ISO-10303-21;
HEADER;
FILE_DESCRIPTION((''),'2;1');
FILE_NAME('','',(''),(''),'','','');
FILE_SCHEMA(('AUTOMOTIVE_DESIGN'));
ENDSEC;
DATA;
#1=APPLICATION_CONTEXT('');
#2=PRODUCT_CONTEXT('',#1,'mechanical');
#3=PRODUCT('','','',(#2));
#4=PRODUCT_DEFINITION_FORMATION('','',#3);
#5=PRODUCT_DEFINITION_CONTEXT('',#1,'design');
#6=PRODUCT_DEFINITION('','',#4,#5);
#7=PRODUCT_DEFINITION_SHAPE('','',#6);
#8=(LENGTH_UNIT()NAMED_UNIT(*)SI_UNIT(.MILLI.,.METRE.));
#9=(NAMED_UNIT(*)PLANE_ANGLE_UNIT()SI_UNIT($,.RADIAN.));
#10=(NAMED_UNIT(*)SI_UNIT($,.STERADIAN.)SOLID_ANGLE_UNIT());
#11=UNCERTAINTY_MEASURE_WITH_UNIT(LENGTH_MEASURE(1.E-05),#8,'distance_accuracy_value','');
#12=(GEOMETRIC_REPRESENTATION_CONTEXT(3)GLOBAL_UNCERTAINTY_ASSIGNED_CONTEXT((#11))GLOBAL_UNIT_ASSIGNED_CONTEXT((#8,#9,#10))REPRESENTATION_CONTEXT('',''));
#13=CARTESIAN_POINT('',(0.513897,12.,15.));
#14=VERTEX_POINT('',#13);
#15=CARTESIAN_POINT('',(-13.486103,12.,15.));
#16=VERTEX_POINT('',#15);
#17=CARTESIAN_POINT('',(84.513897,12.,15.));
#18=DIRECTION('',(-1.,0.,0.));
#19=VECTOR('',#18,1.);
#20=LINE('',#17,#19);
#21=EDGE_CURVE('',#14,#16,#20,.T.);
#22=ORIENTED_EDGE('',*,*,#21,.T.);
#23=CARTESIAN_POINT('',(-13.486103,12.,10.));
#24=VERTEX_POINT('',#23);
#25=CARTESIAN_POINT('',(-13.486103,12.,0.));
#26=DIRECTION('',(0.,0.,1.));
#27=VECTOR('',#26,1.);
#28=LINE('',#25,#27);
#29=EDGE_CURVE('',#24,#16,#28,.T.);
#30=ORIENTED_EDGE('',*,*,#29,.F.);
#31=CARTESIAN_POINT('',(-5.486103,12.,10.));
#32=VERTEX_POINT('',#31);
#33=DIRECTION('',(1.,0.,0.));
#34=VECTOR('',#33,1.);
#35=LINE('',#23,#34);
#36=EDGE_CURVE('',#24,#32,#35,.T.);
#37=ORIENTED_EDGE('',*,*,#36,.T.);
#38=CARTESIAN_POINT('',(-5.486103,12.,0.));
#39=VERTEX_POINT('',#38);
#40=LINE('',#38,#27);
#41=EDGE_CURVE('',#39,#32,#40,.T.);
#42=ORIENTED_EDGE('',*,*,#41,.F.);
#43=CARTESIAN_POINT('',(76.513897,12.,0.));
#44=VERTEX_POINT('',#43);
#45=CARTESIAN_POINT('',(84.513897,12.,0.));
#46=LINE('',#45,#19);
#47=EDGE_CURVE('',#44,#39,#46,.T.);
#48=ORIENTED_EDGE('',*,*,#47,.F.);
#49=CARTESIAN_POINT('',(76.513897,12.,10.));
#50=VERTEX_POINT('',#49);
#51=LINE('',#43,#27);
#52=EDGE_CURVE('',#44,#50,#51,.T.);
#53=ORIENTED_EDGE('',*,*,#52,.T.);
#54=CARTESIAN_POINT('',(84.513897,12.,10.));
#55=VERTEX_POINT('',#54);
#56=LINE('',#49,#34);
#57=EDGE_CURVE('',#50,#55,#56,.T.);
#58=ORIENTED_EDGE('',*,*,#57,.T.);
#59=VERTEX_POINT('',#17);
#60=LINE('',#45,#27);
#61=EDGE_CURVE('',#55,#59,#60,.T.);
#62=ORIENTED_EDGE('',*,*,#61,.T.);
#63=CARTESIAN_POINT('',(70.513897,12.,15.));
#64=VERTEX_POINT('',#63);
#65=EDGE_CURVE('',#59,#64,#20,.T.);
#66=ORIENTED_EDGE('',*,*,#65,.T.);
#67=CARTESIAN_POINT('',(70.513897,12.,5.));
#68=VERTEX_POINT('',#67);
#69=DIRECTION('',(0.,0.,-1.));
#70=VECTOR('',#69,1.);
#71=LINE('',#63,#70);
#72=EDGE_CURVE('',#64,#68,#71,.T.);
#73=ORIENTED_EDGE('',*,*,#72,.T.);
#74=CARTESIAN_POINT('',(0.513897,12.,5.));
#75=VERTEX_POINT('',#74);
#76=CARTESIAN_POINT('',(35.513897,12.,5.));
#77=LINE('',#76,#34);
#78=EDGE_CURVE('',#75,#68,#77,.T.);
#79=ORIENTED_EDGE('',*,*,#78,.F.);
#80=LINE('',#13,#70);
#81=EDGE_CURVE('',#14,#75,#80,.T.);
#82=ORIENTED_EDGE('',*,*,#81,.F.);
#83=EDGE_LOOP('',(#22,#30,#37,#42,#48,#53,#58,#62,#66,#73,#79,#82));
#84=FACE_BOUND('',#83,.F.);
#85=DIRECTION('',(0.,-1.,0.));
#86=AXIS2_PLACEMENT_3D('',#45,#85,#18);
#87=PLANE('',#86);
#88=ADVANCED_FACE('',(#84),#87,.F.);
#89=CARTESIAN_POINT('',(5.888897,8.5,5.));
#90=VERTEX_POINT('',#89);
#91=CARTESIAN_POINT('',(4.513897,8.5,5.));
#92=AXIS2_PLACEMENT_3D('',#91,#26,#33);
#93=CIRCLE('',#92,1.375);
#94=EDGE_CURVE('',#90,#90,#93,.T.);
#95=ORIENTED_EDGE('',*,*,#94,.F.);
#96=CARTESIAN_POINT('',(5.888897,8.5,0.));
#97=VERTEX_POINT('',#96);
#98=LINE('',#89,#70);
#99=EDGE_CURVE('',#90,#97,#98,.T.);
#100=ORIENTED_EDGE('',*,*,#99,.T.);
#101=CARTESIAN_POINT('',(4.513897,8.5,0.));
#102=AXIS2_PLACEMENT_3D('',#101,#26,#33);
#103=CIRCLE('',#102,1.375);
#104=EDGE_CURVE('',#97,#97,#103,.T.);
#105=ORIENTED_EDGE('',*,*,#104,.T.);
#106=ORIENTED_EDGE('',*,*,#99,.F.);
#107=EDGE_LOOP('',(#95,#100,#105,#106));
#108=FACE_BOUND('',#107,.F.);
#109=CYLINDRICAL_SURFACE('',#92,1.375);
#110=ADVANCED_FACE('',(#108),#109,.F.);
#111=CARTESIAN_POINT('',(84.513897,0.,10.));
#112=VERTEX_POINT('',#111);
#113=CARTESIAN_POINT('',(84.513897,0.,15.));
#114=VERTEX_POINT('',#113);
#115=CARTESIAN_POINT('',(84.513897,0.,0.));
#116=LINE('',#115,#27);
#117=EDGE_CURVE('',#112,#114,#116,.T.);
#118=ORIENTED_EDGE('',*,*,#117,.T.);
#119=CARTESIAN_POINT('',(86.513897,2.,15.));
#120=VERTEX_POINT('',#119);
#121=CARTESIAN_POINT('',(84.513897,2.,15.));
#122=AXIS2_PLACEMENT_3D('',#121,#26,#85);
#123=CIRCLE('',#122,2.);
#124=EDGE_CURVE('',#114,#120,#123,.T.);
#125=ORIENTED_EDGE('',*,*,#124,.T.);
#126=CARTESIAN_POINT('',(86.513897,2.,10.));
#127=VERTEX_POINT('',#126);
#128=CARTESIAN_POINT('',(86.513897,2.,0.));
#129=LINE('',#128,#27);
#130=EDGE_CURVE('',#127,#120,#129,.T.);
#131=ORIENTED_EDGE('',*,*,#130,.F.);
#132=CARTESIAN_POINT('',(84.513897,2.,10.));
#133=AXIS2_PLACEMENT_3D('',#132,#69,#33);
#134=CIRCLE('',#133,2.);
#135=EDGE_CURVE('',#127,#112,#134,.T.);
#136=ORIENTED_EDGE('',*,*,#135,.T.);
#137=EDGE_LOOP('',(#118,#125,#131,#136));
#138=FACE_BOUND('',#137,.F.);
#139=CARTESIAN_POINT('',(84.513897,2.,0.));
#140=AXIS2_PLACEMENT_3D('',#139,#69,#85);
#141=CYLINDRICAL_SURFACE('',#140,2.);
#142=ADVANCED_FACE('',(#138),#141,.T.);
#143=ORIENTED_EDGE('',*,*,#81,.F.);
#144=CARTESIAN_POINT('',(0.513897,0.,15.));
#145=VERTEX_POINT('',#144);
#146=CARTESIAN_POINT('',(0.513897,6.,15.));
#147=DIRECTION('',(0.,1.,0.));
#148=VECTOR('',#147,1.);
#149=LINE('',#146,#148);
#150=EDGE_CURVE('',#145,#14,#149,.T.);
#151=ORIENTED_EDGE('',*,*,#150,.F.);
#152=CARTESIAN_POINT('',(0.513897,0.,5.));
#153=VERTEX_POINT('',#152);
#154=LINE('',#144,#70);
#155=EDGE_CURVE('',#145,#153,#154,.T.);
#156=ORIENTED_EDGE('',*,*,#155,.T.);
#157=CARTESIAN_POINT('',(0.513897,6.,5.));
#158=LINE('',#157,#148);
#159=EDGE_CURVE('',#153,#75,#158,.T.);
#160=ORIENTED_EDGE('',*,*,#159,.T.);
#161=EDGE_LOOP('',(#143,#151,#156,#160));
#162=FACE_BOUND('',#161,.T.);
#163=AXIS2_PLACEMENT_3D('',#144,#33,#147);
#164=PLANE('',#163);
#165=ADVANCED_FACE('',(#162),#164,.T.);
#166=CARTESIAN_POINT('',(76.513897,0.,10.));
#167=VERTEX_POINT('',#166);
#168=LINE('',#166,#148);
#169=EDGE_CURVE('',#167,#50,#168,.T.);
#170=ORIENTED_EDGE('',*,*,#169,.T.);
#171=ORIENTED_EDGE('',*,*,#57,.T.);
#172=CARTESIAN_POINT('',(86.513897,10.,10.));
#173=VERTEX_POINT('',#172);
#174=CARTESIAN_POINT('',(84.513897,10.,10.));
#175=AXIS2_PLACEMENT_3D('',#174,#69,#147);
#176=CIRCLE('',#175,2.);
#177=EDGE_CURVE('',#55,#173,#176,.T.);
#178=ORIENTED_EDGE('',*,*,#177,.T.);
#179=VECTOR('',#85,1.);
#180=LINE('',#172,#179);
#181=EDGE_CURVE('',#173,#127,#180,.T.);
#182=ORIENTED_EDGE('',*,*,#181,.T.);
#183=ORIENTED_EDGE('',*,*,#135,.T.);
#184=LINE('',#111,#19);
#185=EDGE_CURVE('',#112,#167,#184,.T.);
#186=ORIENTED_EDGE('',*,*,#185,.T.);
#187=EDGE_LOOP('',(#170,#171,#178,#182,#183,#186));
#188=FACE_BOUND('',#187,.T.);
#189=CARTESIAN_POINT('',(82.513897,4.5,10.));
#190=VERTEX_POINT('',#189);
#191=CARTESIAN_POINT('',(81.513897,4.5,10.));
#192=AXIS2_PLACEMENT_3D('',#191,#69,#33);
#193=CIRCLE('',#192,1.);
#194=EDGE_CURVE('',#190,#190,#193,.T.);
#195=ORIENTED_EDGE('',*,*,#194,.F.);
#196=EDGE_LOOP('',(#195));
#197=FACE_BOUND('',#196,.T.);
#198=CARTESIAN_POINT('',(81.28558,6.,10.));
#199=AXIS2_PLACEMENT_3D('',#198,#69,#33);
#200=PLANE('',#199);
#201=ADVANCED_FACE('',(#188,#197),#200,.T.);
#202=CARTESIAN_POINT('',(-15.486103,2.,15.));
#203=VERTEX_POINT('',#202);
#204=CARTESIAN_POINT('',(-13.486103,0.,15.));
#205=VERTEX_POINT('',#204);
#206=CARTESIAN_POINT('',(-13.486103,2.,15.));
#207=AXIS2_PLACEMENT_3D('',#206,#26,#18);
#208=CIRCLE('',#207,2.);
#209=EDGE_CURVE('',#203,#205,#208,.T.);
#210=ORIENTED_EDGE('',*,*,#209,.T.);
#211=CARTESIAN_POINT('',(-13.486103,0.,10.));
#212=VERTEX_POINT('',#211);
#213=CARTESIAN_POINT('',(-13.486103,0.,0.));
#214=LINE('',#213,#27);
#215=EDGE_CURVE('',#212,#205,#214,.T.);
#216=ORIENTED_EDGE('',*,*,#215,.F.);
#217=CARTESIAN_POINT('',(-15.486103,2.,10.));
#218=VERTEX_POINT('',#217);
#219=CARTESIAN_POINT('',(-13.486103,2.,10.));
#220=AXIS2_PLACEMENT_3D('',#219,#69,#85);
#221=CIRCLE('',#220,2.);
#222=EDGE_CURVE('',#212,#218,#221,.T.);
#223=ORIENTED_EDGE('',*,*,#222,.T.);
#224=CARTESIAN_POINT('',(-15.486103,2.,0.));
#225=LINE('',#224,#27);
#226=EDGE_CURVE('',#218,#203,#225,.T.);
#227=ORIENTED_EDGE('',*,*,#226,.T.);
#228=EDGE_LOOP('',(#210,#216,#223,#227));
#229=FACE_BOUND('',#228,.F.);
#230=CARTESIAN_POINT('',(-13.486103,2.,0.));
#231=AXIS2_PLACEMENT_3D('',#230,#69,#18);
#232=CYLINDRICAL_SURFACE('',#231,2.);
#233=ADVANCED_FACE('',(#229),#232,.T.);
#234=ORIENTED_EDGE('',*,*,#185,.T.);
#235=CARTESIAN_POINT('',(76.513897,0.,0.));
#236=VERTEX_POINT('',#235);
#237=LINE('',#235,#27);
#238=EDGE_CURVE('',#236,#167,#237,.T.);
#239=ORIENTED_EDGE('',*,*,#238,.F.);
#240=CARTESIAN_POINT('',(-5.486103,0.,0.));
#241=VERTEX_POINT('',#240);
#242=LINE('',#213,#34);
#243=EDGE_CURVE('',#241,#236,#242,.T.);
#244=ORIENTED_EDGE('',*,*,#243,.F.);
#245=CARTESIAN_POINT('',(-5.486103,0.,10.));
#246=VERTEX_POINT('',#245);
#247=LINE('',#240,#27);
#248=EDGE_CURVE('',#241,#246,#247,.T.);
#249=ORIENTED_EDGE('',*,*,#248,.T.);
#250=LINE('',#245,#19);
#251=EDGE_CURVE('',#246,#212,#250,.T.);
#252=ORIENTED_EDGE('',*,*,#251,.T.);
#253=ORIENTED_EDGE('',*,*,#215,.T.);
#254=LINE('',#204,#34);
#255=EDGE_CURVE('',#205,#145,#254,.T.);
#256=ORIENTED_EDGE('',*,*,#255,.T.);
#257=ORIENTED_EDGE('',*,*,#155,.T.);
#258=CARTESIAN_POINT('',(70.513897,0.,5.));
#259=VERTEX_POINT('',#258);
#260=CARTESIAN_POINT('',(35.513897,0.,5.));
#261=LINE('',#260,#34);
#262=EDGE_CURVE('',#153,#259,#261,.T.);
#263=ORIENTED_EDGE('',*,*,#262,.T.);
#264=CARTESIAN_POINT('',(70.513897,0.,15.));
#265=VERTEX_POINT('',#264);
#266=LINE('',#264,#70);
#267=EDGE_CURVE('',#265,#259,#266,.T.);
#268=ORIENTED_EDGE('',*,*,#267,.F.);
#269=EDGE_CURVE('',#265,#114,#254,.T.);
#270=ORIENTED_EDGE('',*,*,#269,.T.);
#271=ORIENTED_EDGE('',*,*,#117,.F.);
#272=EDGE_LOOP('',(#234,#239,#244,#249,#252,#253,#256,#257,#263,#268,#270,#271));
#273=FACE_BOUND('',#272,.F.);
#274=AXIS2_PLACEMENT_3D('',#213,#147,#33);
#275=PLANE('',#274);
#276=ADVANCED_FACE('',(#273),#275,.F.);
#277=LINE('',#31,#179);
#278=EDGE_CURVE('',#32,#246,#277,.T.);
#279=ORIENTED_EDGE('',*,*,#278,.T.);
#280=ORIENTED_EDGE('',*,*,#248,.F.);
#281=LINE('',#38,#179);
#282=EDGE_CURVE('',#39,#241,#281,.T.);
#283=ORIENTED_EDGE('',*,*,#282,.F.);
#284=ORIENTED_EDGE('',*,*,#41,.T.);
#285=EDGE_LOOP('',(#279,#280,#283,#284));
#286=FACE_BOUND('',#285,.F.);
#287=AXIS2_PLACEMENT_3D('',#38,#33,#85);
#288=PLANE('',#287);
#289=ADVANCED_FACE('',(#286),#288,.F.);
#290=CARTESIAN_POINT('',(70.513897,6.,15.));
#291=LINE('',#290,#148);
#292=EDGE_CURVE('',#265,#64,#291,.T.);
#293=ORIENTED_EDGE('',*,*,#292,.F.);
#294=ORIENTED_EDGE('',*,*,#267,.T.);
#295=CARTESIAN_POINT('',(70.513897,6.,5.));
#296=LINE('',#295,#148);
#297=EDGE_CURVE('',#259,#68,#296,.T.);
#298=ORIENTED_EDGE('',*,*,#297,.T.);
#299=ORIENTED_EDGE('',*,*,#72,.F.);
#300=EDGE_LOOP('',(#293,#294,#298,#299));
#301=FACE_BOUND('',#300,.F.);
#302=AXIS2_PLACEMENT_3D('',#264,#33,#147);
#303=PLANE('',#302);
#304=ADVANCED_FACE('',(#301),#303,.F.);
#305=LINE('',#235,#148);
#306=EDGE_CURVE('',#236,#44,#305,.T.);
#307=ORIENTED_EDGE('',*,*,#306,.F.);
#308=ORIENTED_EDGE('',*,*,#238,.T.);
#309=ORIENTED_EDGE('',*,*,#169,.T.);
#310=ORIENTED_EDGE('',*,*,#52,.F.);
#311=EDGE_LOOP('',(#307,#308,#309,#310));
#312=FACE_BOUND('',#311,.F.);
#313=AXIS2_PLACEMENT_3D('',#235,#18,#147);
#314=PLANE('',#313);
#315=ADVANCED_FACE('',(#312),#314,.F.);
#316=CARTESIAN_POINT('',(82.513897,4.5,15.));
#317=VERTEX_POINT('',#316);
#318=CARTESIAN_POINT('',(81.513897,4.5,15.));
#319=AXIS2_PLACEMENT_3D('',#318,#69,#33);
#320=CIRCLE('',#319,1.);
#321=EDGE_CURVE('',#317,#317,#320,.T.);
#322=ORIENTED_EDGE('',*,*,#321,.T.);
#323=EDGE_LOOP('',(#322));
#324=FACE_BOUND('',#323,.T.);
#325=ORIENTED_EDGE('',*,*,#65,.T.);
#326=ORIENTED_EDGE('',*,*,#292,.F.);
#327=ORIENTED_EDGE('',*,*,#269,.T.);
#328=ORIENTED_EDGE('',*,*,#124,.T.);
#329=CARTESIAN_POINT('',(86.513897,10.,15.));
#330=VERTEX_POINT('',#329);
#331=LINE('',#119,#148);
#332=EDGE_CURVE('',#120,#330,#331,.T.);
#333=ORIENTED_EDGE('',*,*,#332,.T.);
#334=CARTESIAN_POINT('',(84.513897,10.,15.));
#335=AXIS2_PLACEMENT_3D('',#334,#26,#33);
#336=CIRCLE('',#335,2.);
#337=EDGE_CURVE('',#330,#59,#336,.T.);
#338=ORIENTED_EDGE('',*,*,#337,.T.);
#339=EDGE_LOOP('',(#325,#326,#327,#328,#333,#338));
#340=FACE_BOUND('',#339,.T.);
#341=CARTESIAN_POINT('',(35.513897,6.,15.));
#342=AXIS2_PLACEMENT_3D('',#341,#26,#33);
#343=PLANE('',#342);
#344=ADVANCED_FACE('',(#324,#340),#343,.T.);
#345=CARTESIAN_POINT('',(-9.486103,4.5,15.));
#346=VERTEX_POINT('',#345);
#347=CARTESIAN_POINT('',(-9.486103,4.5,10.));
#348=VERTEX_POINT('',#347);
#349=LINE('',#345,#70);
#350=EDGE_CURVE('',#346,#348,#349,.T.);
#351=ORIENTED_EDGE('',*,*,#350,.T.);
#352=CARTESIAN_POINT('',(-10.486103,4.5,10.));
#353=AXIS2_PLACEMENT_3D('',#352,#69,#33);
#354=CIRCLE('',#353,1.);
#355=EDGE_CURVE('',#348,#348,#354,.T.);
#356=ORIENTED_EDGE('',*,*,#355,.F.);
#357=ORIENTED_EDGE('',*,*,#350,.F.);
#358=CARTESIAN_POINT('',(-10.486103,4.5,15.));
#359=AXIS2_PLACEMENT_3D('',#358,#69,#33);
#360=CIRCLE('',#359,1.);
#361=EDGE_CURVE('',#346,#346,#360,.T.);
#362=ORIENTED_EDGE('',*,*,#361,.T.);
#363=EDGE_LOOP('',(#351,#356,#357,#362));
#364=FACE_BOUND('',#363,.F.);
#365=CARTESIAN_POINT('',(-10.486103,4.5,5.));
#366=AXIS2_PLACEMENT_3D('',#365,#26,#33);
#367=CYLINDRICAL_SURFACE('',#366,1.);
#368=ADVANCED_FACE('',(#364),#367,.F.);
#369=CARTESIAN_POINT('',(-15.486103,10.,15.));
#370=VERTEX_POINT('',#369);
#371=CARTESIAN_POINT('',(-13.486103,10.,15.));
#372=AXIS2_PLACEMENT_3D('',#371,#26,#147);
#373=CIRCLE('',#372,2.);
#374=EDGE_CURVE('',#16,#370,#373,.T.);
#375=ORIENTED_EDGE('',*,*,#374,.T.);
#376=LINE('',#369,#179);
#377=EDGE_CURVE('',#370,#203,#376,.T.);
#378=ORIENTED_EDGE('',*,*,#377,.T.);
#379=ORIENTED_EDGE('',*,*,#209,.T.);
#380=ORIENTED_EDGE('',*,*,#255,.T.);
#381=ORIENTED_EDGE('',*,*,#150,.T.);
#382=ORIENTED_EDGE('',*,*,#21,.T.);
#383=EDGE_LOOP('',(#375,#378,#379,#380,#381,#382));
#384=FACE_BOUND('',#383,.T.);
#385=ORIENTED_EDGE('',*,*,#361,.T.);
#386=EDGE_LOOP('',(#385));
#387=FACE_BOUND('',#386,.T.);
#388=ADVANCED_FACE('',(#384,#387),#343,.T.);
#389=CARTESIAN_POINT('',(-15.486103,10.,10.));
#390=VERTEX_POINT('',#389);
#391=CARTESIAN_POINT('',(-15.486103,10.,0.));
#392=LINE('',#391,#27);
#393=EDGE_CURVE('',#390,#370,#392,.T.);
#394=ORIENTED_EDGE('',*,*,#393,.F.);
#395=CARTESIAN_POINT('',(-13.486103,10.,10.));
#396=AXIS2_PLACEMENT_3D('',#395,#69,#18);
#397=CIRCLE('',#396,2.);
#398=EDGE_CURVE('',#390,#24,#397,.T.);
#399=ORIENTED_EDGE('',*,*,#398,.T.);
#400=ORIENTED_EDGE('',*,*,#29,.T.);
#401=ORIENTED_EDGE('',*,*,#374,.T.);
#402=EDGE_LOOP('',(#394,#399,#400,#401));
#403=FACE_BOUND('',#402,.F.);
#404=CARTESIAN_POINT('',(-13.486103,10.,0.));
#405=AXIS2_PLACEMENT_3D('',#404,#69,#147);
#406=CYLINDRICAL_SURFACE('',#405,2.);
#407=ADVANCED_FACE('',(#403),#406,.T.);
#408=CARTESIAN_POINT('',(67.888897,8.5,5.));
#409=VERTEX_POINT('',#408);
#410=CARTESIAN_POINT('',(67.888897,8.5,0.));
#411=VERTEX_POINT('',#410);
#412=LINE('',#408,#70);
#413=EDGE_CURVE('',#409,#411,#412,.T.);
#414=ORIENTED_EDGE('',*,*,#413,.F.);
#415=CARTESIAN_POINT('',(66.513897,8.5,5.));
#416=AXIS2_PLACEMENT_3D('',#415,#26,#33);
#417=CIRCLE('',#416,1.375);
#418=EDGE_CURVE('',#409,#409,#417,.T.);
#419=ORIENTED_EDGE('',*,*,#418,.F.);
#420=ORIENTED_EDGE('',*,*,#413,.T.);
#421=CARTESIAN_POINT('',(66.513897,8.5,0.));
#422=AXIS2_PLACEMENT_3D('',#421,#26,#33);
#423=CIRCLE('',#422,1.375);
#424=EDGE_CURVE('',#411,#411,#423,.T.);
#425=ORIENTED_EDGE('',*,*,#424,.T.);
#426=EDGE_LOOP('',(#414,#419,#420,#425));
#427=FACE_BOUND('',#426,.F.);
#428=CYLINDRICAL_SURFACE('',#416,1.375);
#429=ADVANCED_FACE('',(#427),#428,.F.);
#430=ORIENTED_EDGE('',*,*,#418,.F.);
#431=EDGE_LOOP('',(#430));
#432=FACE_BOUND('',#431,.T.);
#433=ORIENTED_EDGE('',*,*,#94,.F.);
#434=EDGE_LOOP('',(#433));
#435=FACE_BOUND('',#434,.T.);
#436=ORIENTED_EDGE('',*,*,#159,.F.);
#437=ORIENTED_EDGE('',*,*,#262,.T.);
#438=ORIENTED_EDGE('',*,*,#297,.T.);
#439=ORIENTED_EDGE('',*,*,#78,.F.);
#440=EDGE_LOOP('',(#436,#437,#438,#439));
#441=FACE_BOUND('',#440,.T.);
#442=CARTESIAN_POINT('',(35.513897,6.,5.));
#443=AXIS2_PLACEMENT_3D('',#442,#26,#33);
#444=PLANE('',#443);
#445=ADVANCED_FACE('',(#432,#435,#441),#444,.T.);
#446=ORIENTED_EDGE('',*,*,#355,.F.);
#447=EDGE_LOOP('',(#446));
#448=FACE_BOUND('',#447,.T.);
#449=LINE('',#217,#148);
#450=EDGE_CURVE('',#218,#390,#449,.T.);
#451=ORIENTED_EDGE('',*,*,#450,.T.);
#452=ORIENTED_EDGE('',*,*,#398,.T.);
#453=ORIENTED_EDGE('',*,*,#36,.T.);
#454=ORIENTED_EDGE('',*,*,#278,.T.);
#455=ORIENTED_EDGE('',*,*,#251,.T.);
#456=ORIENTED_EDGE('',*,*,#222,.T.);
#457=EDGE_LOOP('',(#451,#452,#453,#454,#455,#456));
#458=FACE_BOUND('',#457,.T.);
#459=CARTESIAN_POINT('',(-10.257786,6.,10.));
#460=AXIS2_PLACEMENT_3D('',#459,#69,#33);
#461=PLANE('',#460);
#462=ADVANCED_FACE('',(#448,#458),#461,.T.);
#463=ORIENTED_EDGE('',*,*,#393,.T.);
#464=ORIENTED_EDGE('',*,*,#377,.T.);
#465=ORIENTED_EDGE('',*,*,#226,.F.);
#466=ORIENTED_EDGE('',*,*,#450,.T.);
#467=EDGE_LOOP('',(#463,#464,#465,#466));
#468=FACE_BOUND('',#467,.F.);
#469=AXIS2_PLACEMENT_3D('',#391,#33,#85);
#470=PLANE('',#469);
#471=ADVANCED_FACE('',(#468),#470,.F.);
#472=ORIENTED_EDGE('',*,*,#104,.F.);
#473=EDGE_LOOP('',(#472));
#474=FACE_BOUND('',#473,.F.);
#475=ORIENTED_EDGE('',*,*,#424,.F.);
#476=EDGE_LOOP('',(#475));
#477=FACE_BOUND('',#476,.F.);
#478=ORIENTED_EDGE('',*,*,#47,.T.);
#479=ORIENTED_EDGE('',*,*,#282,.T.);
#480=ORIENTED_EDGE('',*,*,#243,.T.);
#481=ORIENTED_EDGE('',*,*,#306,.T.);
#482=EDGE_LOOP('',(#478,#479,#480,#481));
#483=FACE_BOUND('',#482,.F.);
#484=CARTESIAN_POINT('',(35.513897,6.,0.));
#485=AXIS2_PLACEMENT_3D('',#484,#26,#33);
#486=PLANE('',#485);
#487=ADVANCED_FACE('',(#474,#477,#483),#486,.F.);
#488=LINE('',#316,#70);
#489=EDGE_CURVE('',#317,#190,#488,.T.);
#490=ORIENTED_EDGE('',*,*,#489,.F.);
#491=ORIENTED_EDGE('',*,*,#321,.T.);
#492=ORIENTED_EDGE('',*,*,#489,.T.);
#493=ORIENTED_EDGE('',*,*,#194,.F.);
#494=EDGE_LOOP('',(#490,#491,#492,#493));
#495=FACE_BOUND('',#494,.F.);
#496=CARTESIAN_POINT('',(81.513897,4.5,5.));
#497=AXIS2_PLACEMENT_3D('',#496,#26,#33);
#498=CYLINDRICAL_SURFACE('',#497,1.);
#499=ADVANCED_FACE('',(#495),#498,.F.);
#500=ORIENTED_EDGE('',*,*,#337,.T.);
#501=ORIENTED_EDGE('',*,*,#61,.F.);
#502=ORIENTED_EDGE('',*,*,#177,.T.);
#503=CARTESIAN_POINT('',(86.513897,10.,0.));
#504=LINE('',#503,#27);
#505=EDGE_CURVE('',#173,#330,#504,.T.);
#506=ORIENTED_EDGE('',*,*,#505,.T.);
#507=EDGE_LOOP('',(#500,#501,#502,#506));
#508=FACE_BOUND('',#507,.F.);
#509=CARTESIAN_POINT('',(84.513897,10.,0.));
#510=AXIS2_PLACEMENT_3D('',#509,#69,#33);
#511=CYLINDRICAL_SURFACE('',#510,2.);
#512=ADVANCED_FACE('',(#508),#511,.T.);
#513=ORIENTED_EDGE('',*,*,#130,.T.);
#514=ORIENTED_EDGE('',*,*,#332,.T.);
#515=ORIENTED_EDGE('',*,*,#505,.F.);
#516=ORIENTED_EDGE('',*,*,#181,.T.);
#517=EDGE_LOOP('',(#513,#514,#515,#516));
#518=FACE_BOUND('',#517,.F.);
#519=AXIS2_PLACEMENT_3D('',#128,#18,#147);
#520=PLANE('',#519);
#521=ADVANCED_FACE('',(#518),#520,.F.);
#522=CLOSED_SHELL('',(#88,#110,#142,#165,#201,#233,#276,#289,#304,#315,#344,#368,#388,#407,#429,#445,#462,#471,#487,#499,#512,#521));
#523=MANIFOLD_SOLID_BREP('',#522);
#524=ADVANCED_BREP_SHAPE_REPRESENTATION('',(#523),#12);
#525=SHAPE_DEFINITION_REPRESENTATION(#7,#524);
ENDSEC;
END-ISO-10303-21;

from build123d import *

# Parameters (mm, degrees)
F1_DEPTH      = 15
F2_W          = 70
F2_H          = 12
F3_DEPTH      = 10
F4_R          = 1.375
F4_R_2        = 1
F5_DEPTH      = 25
F5_DEPTH_BACK = 25
F6_R          = 1
F7_DEPTH      = 10


with BuildPart() as f1:
    # F0 (on Top) → F1 (new body)
    with BuildSketch(Plane.XY):
        with BuildLine():
            ThreePointArc((-15.4861029406, 2), (-14.9003165029, 0.5857864376), (-13.4861029406, 0))
            Line((-13.4861029406, 0), (84.5138970594, 0))
            ThreePointArc((84.5138970594, 0), (85.9281106218, 0.5857864376), (86.5138970594, 2))
            Line((86.5138970594, 2), (86.5138970594, 10))
            ThreePointArc((86.5138970594, 10), (85.9281106218, 11.4142135624), (84.5138970594, 12))
            Line((84.5138970594, 12), (-13.4861029406, 12))
            ThreePointArc((-13.4861029406, 12), (-14.9003165029, 11.4142135624), (-15.4861029406, 10))
            Line((-15.4861029406, 10), (-15.4861029406, 2))
        make_face()
    extrude(amount=F1_DEPTH)

    # F2 (on face) → F3 (cut)
    with BuildSketch(Plane.XY.offset(15)):
        with Locations((35.5138970594, 6)):
            Rectangle(F2_W, F2_H)
    extrude(amount=-F3_DEPTH, mode=Mode.SUBTRACT)

    # F4 (on face) → F5 (cut, two sides)
    with BuildSketch(Plane.XY.offset(5)) as f5_sk:
        with Locations((4.5138970594, 8.5)):
            Circle(F4_R)
        with Locations((66.5138970594, 8.5)):
            Circle(F4_R)
        with Locations((-10.4861029406, 4.5)):
            Circle(F4_R_2)
        with Locations((81.5138970594, 4.5)):
            Circle(F4_R_2)
    extrude(amount=-F5_DEPTH, mode=Mode.SUBTRACT)
    extrude(f5_sk.sketch, amount=F5_DEPTH_BACK, mode=Mode.SUBTRACT)

    # F6 (on face) → F7 (cut)
    with BuildSketch(Plane(origin=(0, 0, 0), x_dir=(1, 0, 0), z_dir=(0, 0, -1))):
        with BuildLine():
            Line((76.5138970594, 0), (76.5138970594, -12))
            Line((76.5138970594, -12), (84.5138970594, -12))
            ThreePointArc((84.5138970594, -12), (85.9281106218, -11.4142135624), (86.5138970594, -10))
            Line((86.5138970594, -10), (86.5138970594, -2))
            ThreePointArc((86.5138970594, -2), (85.9281106218, -0.5857864376), (84.5138970594, 0))
            Line((84.5138970594, 0), (76.5138970594, 0))
        make_face()
        with Locations((81.5138970594, -4.5)):
            Circle(F6_R, mode=Mode.SUBTRACT)
        with BuildLine():
            Line((-13.4861029406, -12), (-5.4861029406, -12))
            Line((-5.4861029406, -12), (-5.4861029406, 0))
            Line((-5.4861029406, 0), (-13.4861029406, 0))
            ThreePointArc((-13.4861029406, 0), (-14.9003165029, -0.5857864376), (-15.4861029406, -2))
            Line((-15.4861029406, -2), (-15.4861029406, -10))
            ThreePointArc((-15.4861029406, -10), (-14.9003165029, -11.4142135624), (-13.4861029406, -12))
        make_face()
        with Locations((-10.4861029406, -4.5)):
            Circle(F6_R, mode=Mode.SUBTRACT)
    extrude(amount=-F7_DEPTH, mode=Mode.SUBTRACT)


solid = f1.part
